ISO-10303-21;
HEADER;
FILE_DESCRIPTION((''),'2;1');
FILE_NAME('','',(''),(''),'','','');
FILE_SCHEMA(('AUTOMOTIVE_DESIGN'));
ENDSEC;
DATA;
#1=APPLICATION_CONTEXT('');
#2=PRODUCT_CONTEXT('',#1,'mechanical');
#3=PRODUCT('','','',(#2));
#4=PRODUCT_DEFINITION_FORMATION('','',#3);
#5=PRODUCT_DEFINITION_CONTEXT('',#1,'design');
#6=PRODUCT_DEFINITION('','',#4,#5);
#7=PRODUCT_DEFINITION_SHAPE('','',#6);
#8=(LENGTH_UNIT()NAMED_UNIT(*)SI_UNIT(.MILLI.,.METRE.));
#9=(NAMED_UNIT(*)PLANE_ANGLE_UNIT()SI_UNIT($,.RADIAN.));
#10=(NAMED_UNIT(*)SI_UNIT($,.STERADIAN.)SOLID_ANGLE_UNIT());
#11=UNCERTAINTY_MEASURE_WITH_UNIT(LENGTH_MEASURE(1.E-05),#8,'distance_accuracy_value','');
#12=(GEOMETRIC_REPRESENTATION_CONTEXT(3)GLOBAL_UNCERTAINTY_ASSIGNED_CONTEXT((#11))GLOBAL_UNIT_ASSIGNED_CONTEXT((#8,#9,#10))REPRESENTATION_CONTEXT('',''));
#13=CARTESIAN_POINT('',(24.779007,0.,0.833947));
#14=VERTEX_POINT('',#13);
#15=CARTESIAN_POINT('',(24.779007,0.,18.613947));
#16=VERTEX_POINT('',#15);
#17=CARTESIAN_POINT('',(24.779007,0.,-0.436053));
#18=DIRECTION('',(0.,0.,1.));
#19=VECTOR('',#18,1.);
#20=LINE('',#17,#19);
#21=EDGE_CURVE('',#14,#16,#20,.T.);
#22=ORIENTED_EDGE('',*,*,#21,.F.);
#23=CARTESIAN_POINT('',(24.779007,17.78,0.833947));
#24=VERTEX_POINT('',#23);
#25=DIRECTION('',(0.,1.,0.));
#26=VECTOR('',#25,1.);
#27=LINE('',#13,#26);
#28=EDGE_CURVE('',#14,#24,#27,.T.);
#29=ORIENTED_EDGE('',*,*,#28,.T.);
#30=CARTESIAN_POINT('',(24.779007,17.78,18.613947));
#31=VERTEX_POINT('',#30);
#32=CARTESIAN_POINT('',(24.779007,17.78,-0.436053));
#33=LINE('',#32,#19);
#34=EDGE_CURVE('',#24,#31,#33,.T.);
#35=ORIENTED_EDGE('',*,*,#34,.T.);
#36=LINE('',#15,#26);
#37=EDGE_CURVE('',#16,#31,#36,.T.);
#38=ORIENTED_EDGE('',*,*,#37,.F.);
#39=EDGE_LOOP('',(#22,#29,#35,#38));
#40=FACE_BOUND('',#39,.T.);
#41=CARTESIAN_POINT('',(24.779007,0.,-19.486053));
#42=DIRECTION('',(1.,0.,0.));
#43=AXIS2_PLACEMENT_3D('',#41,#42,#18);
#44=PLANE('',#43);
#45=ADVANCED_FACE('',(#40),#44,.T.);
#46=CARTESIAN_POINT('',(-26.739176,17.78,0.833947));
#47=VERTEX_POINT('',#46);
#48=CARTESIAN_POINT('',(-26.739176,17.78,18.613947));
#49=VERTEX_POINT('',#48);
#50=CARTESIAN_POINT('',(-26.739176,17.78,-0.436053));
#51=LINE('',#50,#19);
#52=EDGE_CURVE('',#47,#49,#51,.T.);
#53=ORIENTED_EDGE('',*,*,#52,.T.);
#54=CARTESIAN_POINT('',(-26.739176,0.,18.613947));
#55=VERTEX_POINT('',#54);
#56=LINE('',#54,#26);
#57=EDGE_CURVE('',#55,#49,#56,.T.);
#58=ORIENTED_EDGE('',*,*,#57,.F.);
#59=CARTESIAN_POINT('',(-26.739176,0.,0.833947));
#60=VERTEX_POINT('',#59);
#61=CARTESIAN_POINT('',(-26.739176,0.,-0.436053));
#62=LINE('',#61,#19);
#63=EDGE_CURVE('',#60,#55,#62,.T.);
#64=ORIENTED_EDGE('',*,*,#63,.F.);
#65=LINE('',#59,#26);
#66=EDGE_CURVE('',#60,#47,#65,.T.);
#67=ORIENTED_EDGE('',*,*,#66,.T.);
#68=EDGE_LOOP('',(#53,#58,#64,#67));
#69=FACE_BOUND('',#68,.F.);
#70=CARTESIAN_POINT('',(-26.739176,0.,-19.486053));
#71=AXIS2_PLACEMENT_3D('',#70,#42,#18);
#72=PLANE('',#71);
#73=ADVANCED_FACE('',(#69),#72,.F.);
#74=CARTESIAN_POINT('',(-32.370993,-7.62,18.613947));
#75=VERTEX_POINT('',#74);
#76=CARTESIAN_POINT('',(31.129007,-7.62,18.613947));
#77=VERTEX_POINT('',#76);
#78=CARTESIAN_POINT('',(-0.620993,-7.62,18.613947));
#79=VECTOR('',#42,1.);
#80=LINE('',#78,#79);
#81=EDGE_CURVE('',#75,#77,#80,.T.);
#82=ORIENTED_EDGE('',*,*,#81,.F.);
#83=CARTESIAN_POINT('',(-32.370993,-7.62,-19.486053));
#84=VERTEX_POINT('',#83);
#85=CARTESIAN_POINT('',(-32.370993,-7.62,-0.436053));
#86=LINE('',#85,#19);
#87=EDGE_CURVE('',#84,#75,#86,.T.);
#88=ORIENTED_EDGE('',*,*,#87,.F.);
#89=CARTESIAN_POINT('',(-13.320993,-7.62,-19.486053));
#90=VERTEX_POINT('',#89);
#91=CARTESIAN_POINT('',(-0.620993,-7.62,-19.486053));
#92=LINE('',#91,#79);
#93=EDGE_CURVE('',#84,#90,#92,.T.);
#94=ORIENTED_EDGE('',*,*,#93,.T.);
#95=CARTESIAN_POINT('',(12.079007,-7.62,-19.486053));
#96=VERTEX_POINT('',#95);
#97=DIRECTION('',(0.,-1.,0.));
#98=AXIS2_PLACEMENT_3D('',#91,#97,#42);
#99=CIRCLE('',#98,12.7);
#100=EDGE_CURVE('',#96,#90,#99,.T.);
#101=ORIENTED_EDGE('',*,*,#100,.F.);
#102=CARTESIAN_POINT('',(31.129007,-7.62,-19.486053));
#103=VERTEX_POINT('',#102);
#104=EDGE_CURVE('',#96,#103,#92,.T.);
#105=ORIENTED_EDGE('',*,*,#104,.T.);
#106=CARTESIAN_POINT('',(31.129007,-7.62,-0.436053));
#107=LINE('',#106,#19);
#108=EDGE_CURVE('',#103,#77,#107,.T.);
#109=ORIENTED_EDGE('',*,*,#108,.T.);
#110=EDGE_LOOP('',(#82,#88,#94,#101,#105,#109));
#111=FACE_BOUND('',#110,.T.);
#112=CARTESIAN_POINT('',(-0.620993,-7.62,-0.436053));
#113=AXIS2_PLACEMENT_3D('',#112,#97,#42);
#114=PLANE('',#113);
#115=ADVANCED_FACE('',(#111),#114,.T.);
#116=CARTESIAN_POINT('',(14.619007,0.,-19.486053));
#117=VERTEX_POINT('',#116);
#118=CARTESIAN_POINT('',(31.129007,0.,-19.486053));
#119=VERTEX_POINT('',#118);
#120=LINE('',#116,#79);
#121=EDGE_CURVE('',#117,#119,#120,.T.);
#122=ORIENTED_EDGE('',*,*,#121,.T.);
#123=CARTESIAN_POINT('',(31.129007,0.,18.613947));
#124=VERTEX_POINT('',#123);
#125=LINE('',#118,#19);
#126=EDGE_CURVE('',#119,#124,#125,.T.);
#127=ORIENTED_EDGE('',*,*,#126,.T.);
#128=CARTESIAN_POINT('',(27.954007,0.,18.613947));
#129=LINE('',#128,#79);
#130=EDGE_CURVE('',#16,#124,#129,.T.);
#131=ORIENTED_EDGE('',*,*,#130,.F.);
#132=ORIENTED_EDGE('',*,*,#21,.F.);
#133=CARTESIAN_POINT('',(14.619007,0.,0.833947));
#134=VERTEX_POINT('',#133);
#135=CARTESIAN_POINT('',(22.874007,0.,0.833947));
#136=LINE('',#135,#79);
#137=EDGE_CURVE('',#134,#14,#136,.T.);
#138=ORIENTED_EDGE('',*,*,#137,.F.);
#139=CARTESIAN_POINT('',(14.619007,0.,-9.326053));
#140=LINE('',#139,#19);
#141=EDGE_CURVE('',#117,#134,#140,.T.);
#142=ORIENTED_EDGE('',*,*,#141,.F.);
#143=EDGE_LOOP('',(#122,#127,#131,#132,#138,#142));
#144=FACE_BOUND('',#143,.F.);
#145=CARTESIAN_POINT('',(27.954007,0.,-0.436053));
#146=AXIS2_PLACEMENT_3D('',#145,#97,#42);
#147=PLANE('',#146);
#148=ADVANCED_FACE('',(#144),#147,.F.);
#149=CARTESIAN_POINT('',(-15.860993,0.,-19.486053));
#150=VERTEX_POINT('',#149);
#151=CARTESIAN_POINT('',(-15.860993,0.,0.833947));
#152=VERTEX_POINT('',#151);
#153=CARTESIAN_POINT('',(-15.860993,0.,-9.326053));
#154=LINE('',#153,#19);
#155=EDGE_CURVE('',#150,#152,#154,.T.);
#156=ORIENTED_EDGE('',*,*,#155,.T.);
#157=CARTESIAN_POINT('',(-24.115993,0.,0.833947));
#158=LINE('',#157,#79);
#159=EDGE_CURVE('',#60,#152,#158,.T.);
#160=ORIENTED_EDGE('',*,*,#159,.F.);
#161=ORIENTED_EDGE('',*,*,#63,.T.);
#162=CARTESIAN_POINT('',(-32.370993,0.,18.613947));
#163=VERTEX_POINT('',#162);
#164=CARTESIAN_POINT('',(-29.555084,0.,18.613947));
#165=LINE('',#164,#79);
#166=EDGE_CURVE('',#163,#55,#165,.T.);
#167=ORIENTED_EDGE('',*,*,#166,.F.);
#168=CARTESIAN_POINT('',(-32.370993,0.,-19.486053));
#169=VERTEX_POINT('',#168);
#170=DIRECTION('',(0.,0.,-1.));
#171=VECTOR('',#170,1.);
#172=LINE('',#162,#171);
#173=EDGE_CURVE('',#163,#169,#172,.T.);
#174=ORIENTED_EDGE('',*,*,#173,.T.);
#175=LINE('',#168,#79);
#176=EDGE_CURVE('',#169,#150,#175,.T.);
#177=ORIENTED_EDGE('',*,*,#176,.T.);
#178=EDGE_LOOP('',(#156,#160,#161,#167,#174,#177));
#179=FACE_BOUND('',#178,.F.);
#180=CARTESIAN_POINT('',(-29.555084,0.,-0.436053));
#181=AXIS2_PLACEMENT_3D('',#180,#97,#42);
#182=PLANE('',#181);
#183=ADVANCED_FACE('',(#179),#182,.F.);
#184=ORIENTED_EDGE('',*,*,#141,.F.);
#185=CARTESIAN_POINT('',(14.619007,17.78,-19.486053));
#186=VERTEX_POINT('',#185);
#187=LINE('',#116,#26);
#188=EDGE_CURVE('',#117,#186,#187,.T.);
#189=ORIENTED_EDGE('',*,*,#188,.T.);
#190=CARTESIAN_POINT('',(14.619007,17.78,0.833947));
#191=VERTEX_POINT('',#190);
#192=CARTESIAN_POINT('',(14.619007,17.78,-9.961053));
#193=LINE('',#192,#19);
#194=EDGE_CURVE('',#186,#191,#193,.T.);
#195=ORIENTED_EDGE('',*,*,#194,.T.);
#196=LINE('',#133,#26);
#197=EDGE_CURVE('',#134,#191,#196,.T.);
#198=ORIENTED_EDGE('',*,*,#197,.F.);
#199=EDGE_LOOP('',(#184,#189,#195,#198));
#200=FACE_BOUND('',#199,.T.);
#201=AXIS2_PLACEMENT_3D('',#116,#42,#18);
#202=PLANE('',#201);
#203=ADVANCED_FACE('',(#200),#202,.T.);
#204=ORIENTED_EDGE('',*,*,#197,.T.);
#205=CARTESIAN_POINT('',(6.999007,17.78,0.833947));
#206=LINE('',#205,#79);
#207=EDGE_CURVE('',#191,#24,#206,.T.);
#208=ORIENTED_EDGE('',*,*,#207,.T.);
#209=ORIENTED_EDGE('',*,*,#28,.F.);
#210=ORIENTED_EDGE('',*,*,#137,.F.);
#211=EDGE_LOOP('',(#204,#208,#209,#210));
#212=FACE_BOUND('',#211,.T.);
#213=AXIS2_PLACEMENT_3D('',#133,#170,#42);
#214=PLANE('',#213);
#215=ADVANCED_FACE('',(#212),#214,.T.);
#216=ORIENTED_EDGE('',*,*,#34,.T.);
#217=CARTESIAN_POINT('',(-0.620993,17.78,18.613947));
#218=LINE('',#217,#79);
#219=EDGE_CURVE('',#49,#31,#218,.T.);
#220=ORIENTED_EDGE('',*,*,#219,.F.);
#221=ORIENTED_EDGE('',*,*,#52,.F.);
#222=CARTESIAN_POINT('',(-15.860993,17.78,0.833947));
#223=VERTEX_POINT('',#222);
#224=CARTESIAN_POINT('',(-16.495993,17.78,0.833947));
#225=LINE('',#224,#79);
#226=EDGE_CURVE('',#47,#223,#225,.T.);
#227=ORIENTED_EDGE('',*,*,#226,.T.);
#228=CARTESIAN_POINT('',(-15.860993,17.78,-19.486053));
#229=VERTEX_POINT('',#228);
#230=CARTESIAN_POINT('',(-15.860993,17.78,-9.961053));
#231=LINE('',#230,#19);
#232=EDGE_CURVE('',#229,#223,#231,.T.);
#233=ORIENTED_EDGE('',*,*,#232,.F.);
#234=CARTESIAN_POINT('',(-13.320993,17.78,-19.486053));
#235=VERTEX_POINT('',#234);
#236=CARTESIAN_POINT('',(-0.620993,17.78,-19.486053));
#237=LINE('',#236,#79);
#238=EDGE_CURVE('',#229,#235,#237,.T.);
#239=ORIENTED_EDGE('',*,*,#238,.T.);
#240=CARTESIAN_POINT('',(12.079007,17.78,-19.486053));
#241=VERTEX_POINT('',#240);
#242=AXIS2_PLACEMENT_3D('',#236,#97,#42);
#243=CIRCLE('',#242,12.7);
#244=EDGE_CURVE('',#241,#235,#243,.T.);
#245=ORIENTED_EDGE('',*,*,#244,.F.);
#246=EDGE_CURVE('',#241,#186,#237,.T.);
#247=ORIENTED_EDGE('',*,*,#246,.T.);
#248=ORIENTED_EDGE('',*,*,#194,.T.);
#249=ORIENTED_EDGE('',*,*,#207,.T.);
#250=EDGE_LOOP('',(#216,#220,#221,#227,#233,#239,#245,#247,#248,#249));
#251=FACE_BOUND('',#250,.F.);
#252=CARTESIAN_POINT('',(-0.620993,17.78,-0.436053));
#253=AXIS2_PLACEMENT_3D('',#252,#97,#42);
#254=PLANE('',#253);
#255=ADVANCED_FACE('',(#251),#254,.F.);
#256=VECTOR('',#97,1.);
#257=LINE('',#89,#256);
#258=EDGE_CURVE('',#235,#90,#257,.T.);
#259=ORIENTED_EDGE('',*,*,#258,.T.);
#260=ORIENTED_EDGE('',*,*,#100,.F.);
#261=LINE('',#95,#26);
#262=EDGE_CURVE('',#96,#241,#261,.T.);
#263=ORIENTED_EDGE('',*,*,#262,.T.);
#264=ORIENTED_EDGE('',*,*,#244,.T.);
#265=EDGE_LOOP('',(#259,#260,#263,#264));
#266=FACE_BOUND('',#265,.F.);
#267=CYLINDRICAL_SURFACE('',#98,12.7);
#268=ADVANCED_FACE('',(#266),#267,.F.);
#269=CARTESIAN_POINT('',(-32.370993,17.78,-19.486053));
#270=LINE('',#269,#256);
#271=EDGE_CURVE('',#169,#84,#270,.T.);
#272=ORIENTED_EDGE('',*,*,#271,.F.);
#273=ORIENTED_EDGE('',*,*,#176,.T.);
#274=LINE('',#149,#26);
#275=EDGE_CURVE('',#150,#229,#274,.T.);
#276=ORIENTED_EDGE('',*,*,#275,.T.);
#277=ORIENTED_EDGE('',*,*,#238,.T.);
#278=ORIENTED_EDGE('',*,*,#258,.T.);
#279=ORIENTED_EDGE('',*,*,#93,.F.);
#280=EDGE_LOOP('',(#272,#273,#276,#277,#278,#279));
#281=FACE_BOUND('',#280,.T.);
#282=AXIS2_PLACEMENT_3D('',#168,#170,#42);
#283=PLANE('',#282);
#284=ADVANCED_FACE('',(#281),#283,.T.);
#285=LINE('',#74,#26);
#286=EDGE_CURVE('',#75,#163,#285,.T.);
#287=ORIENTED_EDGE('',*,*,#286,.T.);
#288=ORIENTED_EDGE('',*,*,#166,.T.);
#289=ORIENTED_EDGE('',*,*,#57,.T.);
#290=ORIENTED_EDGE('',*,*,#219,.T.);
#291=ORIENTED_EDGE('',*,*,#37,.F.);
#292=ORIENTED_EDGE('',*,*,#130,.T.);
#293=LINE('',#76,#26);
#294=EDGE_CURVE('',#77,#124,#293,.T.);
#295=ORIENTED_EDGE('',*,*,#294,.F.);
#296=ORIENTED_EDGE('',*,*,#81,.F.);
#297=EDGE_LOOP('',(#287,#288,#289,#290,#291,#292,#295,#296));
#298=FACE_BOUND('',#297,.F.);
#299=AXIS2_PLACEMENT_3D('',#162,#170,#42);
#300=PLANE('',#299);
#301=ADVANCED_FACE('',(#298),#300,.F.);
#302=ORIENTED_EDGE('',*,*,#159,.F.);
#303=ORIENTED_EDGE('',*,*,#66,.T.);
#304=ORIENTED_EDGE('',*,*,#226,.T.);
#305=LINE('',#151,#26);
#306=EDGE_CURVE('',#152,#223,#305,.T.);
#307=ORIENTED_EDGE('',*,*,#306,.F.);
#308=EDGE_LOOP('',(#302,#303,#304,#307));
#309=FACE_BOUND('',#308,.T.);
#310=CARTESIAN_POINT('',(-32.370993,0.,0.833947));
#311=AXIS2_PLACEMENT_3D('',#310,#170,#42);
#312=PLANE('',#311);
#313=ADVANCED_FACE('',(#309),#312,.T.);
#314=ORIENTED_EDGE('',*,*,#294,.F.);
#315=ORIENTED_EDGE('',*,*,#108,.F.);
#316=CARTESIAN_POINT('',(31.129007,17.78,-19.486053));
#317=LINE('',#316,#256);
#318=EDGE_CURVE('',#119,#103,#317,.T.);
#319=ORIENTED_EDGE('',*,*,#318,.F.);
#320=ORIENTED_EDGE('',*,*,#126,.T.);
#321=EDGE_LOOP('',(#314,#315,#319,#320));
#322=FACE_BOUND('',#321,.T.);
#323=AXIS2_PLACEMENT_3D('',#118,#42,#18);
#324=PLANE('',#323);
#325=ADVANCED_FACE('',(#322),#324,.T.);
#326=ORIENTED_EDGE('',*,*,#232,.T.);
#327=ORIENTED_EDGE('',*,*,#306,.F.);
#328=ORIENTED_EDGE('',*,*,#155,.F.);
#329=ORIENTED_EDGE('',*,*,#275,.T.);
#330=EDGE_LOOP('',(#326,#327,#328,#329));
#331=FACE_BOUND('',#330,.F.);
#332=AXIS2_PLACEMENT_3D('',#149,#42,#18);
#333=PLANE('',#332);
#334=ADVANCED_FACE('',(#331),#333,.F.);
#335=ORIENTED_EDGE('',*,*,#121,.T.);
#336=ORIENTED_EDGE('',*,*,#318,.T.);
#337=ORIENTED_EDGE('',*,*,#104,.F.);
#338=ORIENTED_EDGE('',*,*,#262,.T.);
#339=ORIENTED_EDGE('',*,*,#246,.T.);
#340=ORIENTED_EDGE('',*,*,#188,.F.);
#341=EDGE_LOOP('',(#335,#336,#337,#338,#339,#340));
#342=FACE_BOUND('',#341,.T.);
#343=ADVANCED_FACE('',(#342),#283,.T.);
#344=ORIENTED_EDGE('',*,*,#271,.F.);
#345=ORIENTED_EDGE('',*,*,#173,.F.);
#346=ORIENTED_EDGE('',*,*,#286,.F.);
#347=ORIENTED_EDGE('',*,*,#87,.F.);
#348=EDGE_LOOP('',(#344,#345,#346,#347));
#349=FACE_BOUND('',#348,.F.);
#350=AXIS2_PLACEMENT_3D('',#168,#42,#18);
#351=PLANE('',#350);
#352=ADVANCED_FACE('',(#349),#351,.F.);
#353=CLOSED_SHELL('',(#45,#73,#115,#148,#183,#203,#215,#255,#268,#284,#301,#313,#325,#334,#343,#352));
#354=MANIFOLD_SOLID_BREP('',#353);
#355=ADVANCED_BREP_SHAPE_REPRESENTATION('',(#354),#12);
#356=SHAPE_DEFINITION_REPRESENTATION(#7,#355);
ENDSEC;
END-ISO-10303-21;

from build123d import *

# Parameters (mm, degrees)
F0_W      = 63.5
F0_H      = 38.1
F1_DEPTH  = 7.62
F2_DEPTH  = 17.78
F3_W      = 6.35
F3_H      = 38.1
F3_W_2    = 5.6318170339
F4_DEPTH  = 17.78
F5_W      = 16.51
F5_H      = 20.32
F6_DEPTH  = 27.92324
F7_W      = 16.51
F7_H      = 20.32
F8_DEPTH  = 28.68757
F9_R      = 12.7
F10_DEPTH = 30.26185


with BuildPart() as f1:
    # F0 (on Front) → F1 (new body)
    with BuildSketch(Plane.XZ):
        with Locations((-0.6209928542, -0.4360526333)):
            Rectangle(F0_W, F0_H)
    extrude(amount=F1_DEPTH)

    # F2 (add): a face of the model
    f2_faces = [f1.faces().sort_by_distance(p)[0] for p in [
        (-0.6209928542, 0, -0.4360526333),
    ]]
    extrude(f2_faces, amount=F2_DEPTH)

    # F3 (on Front) → F4 (cut)
    with BuildSketch(Plane.XZ):
        with Locations((27.9540071458, -0.4360526333)):
            Rectangle(F3_W, F3_H)
        with Locations((-29.5550843373, -0.4360526333)):
            Rectangle(F3_W_2, F3_H)
    extrude(amount=-F4_DEPTH, mode=Mode.SUBTRACT)

    # F5 (on Front) → F6 (cut)
    with BuildSketch(Plane.XZ):
        with Locations((-24.1159928542, -9.3260526333)):
            Rectangle(F5_W, F5_H)
    extrude(amount=-F6_DEPTH, mode=Mode.SUBTRACT)

    # F7 (on Front) → F8 (cut)
    with BuildSketch(Plane.XZ):
        with Locations((22.8740071458, -9.3260526333)):
            Rectangle(F7_W, F7_H)
    extrude(amount=-F8_DEPTH, mode=Mode.SUBTRACT)

    # F9 (on face) → F10 (cut)
    with BuildSketch(Plane.XZ.offset(7.62)):
        with Locations((-0.6209928542, -19.4860526333)):
            Circle(F9_R)
    extrude(amount=-F10_DEPTH, mode=Mode.SUBTRACT)


solid = f1.part
